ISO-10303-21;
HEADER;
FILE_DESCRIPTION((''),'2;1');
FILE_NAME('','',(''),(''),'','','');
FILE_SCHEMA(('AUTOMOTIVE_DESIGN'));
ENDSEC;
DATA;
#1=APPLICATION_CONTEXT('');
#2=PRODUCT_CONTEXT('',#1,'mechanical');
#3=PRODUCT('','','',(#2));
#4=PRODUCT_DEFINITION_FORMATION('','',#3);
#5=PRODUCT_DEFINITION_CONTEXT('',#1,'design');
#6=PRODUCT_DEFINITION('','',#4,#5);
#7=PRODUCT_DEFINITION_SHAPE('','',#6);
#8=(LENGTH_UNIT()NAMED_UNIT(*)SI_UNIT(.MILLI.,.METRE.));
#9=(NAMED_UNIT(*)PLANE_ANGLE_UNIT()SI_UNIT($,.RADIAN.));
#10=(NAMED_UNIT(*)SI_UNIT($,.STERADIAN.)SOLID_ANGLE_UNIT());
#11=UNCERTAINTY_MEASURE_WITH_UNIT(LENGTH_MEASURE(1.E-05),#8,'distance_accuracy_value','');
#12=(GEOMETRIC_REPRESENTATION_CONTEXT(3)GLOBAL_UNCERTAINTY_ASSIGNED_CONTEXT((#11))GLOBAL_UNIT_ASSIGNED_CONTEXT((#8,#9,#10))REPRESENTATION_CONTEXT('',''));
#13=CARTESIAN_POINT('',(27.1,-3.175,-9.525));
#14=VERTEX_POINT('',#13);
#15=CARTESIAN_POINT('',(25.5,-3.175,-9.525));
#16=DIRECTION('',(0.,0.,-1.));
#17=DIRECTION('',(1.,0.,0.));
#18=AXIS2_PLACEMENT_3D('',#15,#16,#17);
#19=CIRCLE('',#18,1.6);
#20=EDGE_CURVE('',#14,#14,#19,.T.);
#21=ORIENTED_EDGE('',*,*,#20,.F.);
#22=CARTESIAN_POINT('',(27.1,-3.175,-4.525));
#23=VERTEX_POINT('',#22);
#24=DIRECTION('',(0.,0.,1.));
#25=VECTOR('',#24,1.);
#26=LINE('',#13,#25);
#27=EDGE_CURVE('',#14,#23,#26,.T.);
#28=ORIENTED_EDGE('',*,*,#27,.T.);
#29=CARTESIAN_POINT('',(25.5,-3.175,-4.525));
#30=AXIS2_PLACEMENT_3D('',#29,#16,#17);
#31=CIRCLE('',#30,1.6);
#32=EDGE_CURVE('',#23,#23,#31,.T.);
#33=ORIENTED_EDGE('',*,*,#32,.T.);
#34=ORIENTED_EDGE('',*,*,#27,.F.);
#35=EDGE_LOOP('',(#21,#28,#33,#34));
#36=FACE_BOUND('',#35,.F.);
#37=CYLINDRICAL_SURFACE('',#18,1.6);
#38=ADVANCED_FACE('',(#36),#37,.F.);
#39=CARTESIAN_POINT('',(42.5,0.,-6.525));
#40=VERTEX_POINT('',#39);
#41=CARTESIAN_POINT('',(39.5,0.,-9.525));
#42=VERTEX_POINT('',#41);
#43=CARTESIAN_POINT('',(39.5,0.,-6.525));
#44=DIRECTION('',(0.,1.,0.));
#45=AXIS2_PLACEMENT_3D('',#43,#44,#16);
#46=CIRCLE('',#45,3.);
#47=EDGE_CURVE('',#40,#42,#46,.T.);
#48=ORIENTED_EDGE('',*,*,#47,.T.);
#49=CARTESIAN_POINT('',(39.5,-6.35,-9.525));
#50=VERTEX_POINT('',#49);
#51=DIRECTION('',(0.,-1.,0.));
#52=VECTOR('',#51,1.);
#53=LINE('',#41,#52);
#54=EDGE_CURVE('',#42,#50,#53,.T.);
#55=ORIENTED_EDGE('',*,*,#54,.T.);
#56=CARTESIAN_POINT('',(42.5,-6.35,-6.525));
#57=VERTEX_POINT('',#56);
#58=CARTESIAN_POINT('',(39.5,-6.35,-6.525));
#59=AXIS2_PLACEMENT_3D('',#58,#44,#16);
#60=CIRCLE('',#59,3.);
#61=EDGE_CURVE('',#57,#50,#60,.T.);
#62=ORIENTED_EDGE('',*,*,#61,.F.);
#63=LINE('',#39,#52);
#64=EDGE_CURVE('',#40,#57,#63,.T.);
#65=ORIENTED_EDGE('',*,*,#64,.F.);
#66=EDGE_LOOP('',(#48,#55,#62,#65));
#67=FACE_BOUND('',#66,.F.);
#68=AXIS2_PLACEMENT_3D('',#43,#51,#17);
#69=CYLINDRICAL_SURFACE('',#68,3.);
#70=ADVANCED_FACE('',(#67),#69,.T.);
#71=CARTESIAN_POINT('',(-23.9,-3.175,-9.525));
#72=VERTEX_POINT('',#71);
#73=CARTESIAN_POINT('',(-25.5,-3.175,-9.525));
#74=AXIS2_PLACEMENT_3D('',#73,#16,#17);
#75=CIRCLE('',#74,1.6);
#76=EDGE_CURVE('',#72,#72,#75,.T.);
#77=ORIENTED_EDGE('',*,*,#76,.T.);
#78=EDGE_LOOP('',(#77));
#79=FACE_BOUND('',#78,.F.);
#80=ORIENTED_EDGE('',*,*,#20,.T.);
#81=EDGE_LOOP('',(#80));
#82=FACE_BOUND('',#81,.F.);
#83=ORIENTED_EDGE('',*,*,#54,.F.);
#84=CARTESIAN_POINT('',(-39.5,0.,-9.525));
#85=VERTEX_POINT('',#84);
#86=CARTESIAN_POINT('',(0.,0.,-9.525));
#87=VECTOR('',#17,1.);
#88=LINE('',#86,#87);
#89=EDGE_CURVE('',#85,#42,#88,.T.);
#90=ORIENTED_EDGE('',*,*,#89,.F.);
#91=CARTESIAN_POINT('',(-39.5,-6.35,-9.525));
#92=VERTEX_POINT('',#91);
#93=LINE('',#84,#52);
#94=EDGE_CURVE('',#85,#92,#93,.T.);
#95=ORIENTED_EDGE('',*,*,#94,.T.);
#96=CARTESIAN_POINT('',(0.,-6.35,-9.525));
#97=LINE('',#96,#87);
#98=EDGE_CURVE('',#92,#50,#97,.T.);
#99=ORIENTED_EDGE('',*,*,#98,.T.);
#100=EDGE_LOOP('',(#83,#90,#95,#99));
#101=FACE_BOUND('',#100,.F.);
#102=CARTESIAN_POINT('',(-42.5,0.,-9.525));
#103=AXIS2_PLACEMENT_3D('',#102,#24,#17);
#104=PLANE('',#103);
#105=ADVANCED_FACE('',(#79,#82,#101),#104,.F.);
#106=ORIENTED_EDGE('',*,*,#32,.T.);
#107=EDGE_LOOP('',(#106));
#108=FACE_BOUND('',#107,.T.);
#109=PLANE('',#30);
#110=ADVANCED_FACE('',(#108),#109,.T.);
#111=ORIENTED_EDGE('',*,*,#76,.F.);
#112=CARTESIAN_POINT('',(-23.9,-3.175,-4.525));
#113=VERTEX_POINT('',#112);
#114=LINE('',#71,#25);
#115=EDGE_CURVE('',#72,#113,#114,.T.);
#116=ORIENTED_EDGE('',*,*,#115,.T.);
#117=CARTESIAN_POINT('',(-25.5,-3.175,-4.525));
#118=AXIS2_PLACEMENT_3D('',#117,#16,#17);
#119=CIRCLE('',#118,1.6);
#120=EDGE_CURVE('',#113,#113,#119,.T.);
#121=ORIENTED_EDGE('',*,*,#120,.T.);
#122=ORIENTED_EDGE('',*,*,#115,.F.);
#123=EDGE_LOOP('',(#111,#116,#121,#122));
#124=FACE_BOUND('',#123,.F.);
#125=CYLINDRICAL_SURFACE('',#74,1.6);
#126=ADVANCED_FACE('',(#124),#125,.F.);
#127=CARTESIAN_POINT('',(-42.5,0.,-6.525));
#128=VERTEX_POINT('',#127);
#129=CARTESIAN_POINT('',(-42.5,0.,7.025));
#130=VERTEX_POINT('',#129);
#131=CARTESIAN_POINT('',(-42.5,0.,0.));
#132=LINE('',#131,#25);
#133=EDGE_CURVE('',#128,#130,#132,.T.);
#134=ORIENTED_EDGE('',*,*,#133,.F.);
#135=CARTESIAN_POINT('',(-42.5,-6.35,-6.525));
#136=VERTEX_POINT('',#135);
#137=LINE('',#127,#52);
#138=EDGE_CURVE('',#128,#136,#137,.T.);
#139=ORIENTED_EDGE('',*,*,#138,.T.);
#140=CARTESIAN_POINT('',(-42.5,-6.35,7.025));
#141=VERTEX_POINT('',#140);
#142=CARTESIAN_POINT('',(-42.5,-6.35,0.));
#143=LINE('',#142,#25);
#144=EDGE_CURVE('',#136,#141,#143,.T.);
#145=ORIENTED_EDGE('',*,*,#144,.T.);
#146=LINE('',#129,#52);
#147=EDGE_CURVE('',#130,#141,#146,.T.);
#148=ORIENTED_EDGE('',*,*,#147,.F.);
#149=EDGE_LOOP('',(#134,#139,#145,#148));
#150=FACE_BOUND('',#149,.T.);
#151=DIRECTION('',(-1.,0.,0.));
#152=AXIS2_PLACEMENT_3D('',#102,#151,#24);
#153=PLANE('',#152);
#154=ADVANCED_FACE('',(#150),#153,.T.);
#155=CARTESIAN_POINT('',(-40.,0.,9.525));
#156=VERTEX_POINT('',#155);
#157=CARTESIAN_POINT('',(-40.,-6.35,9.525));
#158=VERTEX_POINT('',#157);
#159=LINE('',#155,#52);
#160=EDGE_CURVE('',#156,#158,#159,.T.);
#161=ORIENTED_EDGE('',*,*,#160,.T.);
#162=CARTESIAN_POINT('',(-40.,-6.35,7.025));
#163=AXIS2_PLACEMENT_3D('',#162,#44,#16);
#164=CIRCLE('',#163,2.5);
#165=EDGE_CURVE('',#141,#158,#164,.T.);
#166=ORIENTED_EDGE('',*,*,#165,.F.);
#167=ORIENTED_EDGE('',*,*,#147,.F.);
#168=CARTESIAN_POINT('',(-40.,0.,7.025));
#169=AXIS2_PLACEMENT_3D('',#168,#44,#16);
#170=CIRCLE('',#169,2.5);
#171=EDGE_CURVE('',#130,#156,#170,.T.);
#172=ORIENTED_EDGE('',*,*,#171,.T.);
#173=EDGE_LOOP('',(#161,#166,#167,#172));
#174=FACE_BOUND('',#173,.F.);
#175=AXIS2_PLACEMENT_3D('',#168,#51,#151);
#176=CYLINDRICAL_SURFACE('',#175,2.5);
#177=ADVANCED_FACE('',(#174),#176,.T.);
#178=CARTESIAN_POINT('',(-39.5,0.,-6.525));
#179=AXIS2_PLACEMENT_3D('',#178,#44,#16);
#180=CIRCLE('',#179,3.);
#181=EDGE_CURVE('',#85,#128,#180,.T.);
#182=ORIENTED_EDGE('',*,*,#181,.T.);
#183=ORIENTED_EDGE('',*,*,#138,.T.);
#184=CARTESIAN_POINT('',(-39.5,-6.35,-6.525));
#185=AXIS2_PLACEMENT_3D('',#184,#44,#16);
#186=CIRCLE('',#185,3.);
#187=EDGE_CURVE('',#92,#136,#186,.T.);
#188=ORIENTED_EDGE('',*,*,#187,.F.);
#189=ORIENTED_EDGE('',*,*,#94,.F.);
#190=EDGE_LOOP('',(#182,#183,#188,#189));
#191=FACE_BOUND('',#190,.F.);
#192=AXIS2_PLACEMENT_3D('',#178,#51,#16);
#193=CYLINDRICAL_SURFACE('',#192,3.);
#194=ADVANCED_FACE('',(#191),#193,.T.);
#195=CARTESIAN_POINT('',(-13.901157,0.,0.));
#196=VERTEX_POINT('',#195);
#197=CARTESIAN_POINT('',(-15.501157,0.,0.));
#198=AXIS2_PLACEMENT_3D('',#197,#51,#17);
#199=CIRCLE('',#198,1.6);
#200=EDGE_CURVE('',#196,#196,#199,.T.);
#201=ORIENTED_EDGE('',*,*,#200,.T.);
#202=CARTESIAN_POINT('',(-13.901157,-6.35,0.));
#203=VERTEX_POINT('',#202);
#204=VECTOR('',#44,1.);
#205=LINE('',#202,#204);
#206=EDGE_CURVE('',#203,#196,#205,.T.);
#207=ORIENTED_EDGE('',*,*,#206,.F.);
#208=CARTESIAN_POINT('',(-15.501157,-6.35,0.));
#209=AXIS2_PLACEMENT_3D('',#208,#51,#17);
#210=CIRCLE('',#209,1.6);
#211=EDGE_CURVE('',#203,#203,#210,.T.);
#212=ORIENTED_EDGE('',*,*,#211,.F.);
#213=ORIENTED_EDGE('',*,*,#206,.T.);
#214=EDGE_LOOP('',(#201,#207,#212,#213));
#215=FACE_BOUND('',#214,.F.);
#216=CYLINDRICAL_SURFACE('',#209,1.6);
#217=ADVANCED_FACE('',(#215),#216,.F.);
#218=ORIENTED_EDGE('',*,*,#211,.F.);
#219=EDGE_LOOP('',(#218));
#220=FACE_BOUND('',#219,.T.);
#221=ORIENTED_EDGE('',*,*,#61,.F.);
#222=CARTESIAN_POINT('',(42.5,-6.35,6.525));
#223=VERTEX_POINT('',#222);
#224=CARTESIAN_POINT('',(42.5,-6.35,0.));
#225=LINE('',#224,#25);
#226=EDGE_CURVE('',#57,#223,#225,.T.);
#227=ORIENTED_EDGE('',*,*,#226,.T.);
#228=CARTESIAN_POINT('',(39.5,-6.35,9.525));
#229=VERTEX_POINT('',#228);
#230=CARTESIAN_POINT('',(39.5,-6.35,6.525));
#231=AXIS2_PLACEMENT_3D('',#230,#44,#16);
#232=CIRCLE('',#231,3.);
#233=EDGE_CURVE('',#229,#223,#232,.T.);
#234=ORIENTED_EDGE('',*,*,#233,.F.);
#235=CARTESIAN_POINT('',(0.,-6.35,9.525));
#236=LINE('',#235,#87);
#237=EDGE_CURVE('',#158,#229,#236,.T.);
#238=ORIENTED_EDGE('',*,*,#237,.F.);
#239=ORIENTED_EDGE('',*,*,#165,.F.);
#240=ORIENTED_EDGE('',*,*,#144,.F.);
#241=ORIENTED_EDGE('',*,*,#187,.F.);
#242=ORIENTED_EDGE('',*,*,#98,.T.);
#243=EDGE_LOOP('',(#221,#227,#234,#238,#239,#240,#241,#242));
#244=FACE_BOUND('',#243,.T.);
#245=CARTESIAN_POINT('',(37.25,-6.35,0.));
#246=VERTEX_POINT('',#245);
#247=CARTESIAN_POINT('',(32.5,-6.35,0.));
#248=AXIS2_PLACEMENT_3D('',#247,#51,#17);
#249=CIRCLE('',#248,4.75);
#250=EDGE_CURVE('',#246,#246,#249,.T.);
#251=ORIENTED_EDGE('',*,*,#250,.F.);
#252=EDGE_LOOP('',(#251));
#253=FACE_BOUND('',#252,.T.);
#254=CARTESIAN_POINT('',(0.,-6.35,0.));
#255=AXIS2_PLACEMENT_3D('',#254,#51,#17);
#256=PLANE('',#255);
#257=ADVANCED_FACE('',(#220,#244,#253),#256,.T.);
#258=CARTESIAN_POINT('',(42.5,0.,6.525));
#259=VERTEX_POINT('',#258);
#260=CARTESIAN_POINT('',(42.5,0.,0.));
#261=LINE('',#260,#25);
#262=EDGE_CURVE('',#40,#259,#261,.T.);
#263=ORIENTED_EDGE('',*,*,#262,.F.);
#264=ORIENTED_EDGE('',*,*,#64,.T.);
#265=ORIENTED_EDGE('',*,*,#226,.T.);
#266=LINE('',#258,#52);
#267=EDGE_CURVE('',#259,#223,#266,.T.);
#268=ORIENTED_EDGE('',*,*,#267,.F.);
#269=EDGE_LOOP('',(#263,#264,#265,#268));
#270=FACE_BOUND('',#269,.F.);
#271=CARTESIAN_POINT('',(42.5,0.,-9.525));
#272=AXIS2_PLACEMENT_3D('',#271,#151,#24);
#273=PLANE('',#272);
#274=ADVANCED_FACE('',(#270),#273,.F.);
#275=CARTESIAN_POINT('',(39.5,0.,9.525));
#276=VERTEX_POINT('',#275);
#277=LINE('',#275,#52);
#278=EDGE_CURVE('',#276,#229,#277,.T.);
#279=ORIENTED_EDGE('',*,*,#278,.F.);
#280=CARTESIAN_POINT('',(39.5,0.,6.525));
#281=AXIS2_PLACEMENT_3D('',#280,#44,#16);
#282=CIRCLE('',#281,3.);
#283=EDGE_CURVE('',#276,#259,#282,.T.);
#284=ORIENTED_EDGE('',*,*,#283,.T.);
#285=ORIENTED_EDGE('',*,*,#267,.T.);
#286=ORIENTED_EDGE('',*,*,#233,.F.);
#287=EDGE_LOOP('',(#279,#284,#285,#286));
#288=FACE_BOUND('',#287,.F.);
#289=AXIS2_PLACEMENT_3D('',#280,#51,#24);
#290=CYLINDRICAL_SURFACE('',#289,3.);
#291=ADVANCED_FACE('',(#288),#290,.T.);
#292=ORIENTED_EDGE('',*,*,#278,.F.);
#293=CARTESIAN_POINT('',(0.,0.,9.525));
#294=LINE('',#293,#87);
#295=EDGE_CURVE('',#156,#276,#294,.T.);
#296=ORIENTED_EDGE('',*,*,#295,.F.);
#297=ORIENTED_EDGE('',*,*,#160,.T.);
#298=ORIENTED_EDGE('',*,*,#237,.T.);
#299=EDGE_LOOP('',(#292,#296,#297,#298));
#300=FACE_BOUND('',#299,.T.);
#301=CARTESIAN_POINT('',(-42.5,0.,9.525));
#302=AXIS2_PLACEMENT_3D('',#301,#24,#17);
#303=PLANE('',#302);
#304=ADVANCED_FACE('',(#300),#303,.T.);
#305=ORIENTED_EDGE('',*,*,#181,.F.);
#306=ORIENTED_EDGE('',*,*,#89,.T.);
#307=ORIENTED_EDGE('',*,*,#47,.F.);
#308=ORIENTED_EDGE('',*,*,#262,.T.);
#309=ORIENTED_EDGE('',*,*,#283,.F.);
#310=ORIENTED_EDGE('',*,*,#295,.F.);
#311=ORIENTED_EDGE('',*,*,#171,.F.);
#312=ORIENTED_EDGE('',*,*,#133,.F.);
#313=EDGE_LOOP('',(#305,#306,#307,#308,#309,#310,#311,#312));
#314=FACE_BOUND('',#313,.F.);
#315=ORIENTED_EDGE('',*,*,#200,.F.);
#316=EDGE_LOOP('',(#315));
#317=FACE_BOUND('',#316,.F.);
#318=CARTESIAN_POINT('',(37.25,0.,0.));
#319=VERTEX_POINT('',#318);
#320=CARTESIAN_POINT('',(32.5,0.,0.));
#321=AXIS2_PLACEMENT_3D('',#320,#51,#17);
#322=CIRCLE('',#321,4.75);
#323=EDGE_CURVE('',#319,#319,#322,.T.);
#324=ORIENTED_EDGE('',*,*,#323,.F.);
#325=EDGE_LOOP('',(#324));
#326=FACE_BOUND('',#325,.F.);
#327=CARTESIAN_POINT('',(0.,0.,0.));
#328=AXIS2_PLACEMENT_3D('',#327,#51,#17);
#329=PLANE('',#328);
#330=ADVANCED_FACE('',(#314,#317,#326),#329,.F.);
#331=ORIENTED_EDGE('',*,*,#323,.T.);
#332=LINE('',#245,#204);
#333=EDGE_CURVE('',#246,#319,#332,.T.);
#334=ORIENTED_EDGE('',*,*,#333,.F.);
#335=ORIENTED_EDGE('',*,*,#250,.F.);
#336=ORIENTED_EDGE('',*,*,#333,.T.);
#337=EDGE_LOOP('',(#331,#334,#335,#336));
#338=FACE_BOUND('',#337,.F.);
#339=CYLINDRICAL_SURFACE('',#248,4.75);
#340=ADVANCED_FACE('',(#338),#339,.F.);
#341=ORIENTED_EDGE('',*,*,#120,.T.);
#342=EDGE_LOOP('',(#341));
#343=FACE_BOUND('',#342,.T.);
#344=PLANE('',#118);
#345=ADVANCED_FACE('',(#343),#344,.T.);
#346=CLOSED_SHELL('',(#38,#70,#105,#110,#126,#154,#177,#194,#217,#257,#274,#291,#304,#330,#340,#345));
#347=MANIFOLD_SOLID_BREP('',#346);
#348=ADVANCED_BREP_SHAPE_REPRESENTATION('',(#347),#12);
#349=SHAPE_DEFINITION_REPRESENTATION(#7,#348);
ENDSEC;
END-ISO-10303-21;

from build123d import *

# Parameters (mm, degrees)
F0_W      = 85
F0_H      = 19.05
F1_DEPTH  = 6.35
F2_R      = 1.6
F3_DEPTH  = 5
F4_R      = 2.5
F5_R      = 3
F6_R      = 3
F7_R      = 3
F8_R      = 4.75
F9_DEPTH  = 25
F10_R     = 1.6
F11_DEPTH = 25


with BuildPart() as f1:
    # F0 (on Front) → F1 (new body)
    with BuildSketch(Plane.XZ):
        Rectangle(F0_W, F0_H)
    extrude(amount=F1_DEPTH)

    # F2 (on face) → F3 (cut)
    with BuildSketch(Plane(origin=(0, 0, -9.525), x_dir=(1, 0, 0), z_dir=(0, 0, -1))):
        with Locations((25.5, 3.175)):
            Circle(F2_R)
        with Locations((-25.5, 3.175)):
            Circle(F2_R)
    extrude(amount=-F3_DEPTH, mode=Mode.SUBTRACT)

    # F4
    f4_edges = [f1.edges().sort_by_distance(p)[0] for p in [
        (-42.5, -3.175, 9.525),
    ]]
    fillet(f4_edges, radius=F4_R)

    # F5
    f5_edges = [f1.edges().sort_by_distance(p)[0] for p in [
        (42.5, -3.175, 9.525),
    ]]
    fillet(f5_edges, radius=F5_R)

    # F6
    f6_edges = [f1.edges().sort_by_distance(p)[0] for p in [
        (42.5, -3.175, -9.525),
    ]]
    fillet(f6_edges, radius=F6_R)

    # F7
    f7_edges = [f1.edges().sort_by_distance(p)[0] for p in [
        (-42.5, -3.175, -9.525),
    ]]
    fillet(f7_edges, radius=F7_R)

    # F8 (on face) → F9 (cut)
    with BuildSketch(Plane.XZ.offset(6.35)):
        with Locations((32.5, 0)):
            Circle(F8_R)
    extrude(amount=-F9_DEPTH, mode=Mode.SUBTRACT)

    # F10 (on face) → F11 (cut)
    with BuildSketch(Plane.XZ.offset(6.35)):
        with Locations((-15.501157, 0)):
            Circle(F10_R)
    extrude(amount=-F11_DEPTH, mode=Mode.SUBTRACT)


solid = f1.part
